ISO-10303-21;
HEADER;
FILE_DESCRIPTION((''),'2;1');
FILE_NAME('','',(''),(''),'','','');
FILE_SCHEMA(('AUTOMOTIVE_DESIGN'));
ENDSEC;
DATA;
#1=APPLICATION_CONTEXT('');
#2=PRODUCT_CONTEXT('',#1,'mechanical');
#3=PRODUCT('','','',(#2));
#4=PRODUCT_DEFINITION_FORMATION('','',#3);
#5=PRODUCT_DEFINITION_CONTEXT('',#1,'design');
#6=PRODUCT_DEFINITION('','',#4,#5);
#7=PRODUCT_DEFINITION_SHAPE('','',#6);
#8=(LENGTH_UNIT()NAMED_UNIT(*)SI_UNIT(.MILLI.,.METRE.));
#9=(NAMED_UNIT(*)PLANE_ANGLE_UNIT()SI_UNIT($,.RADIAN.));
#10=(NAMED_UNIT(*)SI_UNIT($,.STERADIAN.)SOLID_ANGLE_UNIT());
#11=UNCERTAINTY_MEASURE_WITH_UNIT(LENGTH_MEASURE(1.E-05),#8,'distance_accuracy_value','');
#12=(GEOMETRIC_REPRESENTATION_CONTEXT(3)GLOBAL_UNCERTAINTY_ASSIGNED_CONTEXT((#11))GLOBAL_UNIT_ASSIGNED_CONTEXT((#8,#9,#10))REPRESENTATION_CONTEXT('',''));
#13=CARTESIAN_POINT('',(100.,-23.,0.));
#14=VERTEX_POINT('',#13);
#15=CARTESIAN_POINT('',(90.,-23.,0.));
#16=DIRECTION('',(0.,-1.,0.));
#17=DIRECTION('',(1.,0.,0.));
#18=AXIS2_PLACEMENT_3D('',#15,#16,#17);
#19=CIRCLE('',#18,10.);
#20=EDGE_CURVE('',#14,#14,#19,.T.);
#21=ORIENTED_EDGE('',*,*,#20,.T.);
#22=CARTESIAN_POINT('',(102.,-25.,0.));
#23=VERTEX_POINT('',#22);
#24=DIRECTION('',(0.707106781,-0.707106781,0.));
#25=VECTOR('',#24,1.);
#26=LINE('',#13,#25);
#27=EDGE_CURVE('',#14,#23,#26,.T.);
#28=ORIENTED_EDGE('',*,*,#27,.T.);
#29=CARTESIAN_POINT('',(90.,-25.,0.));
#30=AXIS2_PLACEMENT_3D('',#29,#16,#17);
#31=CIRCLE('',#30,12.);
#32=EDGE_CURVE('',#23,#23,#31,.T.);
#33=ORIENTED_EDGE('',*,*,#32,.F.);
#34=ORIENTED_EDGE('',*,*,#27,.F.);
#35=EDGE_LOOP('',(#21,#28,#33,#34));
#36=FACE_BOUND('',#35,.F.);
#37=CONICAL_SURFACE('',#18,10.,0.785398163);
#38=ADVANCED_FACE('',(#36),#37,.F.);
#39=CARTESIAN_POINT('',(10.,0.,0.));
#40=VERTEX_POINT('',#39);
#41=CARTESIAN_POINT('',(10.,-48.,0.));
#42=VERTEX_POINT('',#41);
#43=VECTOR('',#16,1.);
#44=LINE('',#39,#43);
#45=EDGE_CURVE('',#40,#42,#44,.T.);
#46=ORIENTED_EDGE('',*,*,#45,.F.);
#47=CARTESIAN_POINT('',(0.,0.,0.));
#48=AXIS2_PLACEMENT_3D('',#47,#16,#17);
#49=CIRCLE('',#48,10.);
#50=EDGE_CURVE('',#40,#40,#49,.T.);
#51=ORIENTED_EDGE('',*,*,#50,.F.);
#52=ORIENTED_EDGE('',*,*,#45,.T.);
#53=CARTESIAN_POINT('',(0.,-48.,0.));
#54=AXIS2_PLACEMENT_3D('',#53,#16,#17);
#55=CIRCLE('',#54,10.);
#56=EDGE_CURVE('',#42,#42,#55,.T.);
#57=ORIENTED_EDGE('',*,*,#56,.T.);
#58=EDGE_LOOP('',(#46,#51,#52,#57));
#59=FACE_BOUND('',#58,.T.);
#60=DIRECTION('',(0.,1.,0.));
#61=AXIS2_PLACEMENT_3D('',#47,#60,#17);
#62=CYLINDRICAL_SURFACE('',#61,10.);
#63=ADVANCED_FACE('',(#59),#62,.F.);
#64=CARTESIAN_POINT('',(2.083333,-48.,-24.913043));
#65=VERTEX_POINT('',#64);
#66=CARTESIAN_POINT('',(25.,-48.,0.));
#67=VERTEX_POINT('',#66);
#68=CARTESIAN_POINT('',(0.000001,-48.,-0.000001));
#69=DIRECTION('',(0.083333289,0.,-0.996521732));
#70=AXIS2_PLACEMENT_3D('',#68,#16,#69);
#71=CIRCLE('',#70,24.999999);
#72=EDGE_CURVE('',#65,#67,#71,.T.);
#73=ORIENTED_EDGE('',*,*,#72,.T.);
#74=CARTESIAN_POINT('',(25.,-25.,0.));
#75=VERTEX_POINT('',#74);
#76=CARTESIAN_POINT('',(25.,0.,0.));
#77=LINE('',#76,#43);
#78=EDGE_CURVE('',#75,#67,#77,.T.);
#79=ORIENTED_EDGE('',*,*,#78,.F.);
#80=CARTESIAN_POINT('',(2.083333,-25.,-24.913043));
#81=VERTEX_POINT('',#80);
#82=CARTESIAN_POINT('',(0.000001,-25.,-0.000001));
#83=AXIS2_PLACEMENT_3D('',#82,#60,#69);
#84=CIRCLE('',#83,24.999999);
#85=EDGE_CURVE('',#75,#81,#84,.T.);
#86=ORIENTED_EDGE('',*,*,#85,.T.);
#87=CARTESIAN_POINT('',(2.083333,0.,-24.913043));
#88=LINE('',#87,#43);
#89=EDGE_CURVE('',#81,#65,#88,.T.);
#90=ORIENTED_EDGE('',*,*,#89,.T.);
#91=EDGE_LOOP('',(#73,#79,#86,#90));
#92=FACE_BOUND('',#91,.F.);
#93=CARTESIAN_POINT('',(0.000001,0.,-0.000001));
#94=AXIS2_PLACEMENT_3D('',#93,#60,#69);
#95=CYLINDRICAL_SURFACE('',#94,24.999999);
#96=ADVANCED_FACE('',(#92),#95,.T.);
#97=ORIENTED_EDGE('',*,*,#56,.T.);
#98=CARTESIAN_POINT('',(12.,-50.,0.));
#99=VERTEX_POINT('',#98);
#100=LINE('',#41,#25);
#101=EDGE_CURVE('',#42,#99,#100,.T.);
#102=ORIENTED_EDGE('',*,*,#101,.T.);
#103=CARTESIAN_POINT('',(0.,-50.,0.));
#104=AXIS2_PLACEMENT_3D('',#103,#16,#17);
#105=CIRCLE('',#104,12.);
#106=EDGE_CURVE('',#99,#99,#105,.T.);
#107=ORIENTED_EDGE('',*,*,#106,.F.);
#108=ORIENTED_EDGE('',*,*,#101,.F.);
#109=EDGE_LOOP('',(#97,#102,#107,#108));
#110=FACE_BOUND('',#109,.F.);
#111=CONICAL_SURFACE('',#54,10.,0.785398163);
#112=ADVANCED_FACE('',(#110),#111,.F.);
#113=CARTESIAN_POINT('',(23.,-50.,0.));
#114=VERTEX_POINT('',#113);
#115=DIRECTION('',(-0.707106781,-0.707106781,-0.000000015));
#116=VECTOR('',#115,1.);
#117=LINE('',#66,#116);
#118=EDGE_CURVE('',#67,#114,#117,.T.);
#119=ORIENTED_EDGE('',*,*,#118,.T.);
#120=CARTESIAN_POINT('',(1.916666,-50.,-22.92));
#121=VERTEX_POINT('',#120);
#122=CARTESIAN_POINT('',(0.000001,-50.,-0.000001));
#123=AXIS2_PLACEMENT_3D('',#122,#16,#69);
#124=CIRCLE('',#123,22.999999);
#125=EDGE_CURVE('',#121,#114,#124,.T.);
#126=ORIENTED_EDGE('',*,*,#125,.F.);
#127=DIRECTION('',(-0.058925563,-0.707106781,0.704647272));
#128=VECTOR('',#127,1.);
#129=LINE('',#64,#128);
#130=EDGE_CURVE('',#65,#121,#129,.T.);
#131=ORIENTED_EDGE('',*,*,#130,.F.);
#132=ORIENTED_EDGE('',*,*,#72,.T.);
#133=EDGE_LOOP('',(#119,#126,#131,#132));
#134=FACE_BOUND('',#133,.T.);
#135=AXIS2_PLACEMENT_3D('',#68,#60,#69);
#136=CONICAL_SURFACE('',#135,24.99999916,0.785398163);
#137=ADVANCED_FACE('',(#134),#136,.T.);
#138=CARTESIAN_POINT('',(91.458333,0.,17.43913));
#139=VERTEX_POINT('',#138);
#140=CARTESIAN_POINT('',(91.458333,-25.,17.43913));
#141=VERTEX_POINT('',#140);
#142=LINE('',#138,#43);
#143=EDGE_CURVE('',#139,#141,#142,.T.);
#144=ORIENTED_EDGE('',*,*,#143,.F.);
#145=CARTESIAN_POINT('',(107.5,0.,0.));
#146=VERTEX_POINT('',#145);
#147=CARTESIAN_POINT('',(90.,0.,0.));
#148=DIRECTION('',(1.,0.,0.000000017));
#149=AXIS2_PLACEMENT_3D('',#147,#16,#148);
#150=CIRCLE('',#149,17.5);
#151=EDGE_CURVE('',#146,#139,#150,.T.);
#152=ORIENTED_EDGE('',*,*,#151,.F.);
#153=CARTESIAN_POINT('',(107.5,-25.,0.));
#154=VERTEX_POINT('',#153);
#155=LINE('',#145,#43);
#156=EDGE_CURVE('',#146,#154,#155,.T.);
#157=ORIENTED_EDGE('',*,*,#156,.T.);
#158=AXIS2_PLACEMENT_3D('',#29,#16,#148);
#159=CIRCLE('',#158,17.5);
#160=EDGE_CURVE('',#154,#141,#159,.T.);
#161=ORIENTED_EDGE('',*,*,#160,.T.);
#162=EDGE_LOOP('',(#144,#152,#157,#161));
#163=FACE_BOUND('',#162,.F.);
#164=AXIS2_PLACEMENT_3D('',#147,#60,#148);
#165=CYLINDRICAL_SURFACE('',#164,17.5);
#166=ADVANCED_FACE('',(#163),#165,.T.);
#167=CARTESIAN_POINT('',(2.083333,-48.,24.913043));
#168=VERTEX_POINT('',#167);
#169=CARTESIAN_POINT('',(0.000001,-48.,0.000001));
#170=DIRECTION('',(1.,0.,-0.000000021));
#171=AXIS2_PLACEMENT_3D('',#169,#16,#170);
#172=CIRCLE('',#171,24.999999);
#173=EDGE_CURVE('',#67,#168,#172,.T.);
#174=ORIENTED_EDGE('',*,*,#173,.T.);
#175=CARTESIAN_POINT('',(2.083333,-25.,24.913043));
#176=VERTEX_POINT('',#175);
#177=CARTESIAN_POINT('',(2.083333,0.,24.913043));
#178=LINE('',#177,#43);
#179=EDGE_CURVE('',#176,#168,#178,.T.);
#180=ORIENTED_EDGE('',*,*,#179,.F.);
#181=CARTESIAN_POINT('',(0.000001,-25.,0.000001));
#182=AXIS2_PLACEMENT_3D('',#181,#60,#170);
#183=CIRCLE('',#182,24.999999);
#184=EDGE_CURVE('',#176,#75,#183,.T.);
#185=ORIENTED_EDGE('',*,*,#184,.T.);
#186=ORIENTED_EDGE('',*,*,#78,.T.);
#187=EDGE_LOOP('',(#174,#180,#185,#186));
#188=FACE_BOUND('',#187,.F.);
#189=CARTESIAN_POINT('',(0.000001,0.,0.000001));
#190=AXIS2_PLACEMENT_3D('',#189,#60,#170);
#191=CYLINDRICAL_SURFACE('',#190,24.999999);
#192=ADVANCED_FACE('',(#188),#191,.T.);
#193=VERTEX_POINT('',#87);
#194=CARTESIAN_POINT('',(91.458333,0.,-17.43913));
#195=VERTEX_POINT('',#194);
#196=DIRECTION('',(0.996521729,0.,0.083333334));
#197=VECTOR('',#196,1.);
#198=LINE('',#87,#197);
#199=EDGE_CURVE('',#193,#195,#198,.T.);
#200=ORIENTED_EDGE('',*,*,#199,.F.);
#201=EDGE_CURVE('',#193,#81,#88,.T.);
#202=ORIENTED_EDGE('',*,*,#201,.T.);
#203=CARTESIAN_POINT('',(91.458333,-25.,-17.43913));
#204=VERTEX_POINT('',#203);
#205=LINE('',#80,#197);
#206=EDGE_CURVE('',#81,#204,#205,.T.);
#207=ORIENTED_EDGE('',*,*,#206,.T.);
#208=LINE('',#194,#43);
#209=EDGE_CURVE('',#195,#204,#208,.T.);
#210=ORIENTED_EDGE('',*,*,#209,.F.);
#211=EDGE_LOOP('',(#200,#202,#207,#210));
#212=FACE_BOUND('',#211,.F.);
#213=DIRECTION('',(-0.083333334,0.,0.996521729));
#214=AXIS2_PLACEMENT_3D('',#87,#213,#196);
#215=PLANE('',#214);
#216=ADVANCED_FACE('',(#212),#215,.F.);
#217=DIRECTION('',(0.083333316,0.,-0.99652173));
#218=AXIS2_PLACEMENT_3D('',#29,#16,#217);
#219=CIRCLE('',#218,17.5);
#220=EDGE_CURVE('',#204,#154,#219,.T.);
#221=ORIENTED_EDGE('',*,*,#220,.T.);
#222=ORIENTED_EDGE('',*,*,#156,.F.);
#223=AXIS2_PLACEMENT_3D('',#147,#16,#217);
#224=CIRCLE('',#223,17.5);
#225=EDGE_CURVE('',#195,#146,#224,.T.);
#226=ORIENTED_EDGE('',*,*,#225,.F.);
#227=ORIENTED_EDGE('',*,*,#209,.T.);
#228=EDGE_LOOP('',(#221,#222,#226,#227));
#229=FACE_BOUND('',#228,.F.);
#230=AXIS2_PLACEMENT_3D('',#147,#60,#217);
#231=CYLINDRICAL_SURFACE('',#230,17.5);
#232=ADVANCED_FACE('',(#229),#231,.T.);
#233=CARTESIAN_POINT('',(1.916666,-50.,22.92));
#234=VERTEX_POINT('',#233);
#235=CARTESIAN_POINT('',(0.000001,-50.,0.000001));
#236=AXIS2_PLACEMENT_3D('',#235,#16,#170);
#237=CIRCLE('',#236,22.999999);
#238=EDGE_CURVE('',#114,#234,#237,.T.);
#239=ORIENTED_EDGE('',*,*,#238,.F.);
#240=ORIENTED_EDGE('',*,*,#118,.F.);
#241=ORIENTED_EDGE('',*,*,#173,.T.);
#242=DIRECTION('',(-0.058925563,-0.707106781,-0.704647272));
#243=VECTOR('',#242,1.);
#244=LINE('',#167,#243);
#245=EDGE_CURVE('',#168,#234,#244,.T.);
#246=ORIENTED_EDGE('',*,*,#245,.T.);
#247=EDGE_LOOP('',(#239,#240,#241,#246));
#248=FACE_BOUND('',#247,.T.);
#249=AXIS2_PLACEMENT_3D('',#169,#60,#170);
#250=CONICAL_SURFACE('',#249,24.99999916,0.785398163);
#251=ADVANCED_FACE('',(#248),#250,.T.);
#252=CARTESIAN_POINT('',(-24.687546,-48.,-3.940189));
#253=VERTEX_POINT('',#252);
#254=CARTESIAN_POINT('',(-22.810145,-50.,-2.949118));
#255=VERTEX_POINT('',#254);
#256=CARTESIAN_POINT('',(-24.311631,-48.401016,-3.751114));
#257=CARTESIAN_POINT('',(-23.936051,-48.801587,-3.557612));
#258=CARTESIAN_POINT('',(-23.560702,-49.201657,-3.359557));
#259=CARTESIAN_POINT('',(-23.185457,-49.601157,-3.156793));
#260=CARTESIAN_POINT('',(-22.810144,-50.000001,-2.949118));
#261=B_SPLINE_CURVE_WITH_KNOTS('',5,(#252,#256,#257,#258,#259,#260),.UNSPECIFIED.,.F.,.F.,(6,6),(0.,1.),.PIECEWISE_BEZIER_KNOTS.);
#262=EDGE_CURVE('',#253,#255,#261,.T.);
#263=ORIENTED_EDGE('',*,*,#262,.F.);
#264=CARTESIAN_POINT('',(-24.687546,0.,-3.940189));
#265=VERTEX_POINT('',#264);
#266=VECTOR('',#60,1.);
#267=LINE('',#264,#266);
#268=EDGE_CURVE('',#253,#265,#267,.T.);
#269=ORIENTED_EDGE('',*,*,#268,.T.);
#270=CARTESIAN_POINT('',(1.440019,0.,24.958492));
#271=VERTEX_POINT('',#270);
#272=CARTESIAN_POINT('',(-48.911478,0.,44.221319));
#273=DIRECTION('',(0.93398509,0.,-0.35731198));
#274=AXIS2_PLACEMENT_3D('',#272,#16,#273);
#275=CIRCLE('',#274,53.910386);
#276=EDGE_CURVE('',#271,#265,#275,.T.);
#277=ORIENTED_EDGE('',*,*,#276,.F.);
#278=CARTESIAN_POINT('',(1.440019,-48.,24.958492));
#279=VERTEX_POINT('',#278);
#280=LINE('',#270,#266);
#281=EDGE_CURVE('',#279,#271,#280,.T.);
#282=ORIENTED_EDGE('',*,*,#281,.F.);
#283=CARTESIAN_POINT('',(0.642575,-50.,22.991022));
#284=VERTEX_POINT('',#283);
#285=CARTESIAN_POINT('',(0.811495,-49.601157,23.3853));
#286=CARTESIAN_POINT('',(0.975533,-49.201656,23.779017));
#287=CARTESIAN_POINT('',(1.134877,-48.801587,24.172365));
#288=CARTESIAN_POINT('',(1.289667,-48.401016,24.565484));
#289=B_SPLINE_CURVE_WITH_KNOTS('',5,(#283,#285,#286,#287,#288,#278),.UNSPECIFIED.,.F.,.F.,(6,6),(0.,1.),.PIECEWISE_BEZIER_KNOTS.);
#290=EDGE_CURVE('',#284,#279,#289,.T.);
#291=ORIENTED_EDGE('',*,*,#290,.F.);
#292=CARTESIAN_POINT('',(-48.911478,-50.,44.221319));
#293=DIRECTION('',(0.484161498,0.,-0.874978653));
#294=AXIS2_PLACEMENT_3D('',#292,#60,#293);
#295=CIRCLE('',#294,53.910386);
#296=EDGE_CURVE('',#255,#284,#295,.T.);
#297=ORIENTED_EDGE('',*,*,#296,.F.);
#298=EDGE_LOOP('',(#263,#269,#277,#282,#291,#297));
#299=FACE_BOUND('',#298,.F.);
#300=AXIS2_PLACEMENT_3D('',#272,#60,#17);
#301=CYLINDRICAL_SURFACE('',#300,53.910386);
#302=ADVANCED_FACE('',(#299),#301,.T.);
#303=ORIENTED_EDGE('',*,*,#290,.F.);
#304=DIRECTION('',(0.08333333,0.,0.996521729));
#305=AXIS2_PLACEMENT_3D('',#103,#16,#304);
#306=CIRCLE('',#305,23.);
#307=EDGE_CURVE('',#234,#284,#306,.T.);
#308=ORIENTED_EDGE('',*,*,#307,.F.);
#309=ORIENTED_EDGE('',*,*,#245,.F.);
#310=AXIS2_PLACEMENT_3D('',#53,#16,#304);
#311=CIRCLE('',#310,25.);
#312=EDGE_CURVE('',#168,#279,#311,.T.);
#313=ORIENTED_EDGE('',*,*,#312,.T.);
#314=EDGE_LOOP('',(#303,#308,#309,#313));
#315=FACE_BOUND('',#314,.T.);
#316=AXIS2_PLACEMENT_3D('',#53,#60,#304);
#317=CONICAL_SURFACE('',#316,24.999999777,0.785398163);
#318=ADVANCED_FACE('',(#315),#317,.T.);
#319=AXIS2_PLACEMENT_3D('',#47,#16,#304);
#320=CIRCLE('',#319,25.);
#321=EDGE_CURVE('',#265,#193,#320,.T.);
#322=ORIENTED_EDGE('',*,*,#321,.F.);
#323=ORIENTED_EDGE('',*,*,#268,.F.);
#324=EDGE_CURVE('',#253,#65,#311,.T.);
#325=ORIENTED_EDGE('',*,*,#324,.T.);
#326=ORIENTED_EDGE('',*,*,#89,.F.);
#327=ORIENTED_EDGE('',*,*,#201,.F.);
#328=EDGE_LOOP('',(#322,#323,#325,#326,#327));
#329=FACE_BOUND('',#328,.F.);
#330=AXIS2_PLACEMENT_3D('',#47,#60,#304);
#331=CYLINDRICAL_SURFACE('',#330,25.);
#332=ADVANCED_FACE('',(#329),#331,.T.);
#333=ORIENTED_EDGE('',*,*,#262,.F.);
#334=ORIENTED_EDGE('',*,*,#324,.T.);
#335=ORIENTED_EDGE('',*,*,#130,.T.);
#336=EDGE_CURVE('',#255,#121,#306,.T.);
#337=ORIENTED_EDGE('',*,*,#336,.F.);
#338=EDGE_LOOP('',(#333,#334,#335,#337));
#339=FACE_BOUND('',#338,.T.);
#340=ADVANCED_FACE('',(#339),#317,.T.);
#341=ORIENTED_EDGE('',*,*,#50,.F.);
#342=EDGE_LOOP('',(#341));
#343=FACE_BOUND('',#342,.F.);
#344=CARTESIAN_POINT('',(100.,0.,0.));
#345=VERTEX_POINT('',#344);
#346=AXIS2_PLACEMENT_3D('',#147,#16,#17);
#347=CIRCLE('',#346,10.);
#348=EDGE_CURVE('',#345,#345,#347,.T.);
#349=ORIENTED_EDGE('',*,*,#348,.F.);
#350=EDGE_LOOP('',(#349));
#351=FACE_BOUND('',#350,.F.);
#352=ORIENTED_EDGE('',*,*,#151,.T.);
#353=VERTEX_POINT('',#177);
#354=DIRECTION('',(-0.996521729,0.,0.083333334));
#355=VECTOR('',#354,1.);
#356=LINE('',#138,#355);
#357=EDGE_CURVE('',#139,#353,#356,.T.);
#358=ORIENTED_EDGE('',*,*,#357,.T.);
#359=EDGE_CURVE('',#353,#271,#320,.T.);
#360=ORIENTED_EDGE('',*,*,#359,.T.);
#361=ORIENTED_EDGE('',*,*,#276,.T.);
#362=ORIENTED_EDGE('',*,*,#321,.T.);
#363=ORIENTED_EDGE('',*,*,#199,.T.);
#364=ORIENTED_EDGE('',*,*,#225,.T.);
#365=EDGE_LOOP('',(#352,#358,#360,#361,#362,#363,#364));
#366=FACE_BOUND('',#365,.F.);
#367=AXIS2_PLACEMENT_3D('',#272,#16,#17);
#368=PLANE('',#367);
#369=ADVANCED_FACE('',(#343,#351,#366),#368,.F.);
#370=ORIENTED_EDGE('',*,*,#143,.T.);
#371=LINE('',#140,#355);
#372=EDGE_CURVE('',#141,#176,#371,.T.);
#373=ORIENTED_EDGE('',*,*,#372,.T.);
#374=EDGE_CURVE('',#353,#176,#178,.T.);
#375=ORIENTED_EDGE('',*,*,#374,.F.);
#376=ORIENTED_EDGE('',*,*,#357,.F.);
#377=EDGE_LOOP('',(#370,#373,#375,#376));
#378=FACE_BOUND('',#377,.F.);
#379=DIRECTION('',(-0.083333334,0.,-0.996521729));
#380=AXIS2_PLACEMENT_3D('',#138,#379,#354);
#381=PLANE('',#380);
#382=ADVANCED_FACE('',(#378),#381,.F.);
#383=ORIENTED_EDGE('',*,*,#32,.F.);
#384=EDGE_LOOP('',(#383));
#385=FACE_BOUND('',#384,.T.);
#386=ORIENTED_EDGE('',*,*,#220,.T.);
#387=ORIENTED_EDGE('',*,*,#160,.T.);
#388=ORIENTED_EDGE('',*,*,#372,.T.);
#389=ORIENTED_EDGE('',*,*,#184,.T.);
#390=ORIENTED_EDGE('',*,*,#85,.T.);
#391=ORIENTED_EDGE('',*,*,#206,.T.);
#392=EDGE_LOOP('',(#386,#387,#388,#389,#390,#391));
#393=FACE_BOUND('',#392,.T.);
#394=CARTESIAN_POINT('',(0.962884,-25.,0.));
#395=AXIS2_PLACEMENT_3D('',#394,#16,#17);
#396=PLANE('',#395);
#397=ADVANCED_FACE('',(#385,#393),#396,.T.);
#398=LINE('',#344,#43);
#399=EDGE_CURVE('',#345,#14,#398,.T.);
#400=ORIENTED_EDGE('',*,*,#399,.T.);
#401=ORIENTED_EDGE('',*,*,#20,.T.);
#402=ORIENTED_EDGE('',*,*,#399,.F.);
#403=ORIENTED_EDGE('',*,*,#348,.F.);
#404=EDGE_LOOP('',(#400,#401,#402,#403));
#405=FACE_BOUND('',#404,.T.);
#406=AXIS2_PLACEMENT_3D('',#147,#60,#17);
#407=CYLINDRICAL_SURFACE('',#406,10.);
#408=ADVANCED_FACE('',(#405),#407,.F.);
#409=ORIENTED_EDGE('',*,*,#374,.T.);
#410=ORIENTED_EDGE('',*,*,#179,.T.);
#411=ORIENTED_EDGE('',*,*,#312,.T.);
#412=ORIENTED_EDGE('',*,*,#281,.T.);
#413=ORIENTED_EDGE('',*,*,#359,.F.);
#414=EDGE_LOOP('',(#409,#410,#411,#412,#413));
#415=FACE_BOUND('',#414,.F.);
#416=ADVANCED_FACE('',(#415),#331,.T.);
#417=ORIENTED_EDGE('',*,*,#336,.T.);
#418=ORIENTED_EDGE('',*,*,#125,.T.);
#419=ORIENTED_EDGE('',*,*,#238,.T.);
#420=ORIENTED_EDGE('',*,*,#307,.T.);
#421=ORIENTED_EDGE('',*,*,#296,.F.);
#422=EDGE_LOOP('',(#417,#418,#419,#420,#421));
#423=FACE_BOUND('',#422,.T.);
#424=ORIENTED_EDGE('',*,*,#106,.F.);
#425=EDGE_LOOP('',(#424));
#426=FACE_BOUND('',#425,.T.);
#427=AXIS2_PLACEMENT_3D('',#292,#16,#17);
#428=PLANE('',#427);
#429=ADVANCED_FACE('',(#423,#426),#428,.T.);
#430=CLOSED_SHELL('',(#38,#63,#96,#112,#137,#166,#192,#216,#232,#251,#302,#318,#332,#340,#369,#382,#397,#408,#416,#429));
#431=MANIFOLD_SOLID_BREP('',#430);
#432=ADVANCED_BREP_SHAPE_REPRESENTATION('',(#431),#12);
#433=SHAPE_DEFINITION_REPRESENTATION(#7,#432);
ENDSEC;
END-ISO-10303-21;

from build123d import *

# Parameters (mm, degrees)
F0_R     = 10
F1_DEPTH = 25
F2_DEPTH = 50
F3_SIZE  = 2
F4_R     = 53.910386
F6_DEPTH = 50


with BuildPart() as f1:
    # F0 (on Front) → F1 (new body)
    with BuildSketch(Plane.XZ):
        with BuildLine():
            ThreePointArc((2.083333, -24.913043), (18.399502, -16.92508), (25, 0))
            ThreePointArc((25, 0), (18.399502, 16.92508), (2.083333, 24.913043))
            ThreePointArc((2.083333, 24.913043), (-25, 0), (2.083333, -24.913043))
        make_face()
        Circle(F0_R, mode=Mode.SUBTRACT)
        with BuildLine():
            ThreePointArc((2.083333, 24.913043), (18.399502, 16.92508), (25, 0))
            ThreePointArc((25, 0), (18.399502, -16.92508), (2.083333, -24.913043))
            Line((2.083333, -24.913043), (91.458333, -17.43913))
            ThreePointArc((91.458333, -17.43913), (72.5, 0), (91.458333, 17.43913))
            Line((91.458333, 17.43913), (2.083333, 24.913043))
        make_face()
        with BuildLine():
            ThreePointArc((107.5, 0), (102.879651, 11.847556), (91.458333, 17.43913))
            ThreePointArc((91.458333, 17.43913), (72.5, 0), (91.458333, -17.43913))
            ThreePointArc((91.458333, -17.43913), (102.879651, -11.847556), (107.5, 0))
        make_face()
        with Locations((90, 0)):
            Circle(F0_R, mode=Mode.SUBTRACT)
    extrude(amount=F1_DEPTH)

    # F0 (on Front) → F2 (join)
    with BuildSketch(Plane.XZ):
        with BuildLine():
            ThreePointArc((2.083333, -24.913043), (18.399502, -16.92508), (25, 0))
            ThreePointArc((25, 0), (18.399502, 16.92508), (2.083333, 24.913043))
            ThreePointArc((2.083333, 24.913043), (-25, 0), (2.083333, -24.913043))
        make_face()
        Circle(F0_R, mode=Mode.SUBTRACT)
    extrude(amount=F2_DEPTH)

    # F3
    f3_edges = [f1.edges().sort_by_distance(p)[0] for p in [
        (-2.083333, -50, 24.913043),
        (-10, -50, 0),
        (80, -25, 0),
    ]]
    chamfer(f3_edges, length=F3_SIZE)

    # F4 (on Front) → F6 (join)
    with BuildSketch(Plane.XZ):
        with Locations((-48.911478, 44.221319)):
            Circle(F4_R)
    extrude(amount=F6_DEPTH)


solid = f1.part
